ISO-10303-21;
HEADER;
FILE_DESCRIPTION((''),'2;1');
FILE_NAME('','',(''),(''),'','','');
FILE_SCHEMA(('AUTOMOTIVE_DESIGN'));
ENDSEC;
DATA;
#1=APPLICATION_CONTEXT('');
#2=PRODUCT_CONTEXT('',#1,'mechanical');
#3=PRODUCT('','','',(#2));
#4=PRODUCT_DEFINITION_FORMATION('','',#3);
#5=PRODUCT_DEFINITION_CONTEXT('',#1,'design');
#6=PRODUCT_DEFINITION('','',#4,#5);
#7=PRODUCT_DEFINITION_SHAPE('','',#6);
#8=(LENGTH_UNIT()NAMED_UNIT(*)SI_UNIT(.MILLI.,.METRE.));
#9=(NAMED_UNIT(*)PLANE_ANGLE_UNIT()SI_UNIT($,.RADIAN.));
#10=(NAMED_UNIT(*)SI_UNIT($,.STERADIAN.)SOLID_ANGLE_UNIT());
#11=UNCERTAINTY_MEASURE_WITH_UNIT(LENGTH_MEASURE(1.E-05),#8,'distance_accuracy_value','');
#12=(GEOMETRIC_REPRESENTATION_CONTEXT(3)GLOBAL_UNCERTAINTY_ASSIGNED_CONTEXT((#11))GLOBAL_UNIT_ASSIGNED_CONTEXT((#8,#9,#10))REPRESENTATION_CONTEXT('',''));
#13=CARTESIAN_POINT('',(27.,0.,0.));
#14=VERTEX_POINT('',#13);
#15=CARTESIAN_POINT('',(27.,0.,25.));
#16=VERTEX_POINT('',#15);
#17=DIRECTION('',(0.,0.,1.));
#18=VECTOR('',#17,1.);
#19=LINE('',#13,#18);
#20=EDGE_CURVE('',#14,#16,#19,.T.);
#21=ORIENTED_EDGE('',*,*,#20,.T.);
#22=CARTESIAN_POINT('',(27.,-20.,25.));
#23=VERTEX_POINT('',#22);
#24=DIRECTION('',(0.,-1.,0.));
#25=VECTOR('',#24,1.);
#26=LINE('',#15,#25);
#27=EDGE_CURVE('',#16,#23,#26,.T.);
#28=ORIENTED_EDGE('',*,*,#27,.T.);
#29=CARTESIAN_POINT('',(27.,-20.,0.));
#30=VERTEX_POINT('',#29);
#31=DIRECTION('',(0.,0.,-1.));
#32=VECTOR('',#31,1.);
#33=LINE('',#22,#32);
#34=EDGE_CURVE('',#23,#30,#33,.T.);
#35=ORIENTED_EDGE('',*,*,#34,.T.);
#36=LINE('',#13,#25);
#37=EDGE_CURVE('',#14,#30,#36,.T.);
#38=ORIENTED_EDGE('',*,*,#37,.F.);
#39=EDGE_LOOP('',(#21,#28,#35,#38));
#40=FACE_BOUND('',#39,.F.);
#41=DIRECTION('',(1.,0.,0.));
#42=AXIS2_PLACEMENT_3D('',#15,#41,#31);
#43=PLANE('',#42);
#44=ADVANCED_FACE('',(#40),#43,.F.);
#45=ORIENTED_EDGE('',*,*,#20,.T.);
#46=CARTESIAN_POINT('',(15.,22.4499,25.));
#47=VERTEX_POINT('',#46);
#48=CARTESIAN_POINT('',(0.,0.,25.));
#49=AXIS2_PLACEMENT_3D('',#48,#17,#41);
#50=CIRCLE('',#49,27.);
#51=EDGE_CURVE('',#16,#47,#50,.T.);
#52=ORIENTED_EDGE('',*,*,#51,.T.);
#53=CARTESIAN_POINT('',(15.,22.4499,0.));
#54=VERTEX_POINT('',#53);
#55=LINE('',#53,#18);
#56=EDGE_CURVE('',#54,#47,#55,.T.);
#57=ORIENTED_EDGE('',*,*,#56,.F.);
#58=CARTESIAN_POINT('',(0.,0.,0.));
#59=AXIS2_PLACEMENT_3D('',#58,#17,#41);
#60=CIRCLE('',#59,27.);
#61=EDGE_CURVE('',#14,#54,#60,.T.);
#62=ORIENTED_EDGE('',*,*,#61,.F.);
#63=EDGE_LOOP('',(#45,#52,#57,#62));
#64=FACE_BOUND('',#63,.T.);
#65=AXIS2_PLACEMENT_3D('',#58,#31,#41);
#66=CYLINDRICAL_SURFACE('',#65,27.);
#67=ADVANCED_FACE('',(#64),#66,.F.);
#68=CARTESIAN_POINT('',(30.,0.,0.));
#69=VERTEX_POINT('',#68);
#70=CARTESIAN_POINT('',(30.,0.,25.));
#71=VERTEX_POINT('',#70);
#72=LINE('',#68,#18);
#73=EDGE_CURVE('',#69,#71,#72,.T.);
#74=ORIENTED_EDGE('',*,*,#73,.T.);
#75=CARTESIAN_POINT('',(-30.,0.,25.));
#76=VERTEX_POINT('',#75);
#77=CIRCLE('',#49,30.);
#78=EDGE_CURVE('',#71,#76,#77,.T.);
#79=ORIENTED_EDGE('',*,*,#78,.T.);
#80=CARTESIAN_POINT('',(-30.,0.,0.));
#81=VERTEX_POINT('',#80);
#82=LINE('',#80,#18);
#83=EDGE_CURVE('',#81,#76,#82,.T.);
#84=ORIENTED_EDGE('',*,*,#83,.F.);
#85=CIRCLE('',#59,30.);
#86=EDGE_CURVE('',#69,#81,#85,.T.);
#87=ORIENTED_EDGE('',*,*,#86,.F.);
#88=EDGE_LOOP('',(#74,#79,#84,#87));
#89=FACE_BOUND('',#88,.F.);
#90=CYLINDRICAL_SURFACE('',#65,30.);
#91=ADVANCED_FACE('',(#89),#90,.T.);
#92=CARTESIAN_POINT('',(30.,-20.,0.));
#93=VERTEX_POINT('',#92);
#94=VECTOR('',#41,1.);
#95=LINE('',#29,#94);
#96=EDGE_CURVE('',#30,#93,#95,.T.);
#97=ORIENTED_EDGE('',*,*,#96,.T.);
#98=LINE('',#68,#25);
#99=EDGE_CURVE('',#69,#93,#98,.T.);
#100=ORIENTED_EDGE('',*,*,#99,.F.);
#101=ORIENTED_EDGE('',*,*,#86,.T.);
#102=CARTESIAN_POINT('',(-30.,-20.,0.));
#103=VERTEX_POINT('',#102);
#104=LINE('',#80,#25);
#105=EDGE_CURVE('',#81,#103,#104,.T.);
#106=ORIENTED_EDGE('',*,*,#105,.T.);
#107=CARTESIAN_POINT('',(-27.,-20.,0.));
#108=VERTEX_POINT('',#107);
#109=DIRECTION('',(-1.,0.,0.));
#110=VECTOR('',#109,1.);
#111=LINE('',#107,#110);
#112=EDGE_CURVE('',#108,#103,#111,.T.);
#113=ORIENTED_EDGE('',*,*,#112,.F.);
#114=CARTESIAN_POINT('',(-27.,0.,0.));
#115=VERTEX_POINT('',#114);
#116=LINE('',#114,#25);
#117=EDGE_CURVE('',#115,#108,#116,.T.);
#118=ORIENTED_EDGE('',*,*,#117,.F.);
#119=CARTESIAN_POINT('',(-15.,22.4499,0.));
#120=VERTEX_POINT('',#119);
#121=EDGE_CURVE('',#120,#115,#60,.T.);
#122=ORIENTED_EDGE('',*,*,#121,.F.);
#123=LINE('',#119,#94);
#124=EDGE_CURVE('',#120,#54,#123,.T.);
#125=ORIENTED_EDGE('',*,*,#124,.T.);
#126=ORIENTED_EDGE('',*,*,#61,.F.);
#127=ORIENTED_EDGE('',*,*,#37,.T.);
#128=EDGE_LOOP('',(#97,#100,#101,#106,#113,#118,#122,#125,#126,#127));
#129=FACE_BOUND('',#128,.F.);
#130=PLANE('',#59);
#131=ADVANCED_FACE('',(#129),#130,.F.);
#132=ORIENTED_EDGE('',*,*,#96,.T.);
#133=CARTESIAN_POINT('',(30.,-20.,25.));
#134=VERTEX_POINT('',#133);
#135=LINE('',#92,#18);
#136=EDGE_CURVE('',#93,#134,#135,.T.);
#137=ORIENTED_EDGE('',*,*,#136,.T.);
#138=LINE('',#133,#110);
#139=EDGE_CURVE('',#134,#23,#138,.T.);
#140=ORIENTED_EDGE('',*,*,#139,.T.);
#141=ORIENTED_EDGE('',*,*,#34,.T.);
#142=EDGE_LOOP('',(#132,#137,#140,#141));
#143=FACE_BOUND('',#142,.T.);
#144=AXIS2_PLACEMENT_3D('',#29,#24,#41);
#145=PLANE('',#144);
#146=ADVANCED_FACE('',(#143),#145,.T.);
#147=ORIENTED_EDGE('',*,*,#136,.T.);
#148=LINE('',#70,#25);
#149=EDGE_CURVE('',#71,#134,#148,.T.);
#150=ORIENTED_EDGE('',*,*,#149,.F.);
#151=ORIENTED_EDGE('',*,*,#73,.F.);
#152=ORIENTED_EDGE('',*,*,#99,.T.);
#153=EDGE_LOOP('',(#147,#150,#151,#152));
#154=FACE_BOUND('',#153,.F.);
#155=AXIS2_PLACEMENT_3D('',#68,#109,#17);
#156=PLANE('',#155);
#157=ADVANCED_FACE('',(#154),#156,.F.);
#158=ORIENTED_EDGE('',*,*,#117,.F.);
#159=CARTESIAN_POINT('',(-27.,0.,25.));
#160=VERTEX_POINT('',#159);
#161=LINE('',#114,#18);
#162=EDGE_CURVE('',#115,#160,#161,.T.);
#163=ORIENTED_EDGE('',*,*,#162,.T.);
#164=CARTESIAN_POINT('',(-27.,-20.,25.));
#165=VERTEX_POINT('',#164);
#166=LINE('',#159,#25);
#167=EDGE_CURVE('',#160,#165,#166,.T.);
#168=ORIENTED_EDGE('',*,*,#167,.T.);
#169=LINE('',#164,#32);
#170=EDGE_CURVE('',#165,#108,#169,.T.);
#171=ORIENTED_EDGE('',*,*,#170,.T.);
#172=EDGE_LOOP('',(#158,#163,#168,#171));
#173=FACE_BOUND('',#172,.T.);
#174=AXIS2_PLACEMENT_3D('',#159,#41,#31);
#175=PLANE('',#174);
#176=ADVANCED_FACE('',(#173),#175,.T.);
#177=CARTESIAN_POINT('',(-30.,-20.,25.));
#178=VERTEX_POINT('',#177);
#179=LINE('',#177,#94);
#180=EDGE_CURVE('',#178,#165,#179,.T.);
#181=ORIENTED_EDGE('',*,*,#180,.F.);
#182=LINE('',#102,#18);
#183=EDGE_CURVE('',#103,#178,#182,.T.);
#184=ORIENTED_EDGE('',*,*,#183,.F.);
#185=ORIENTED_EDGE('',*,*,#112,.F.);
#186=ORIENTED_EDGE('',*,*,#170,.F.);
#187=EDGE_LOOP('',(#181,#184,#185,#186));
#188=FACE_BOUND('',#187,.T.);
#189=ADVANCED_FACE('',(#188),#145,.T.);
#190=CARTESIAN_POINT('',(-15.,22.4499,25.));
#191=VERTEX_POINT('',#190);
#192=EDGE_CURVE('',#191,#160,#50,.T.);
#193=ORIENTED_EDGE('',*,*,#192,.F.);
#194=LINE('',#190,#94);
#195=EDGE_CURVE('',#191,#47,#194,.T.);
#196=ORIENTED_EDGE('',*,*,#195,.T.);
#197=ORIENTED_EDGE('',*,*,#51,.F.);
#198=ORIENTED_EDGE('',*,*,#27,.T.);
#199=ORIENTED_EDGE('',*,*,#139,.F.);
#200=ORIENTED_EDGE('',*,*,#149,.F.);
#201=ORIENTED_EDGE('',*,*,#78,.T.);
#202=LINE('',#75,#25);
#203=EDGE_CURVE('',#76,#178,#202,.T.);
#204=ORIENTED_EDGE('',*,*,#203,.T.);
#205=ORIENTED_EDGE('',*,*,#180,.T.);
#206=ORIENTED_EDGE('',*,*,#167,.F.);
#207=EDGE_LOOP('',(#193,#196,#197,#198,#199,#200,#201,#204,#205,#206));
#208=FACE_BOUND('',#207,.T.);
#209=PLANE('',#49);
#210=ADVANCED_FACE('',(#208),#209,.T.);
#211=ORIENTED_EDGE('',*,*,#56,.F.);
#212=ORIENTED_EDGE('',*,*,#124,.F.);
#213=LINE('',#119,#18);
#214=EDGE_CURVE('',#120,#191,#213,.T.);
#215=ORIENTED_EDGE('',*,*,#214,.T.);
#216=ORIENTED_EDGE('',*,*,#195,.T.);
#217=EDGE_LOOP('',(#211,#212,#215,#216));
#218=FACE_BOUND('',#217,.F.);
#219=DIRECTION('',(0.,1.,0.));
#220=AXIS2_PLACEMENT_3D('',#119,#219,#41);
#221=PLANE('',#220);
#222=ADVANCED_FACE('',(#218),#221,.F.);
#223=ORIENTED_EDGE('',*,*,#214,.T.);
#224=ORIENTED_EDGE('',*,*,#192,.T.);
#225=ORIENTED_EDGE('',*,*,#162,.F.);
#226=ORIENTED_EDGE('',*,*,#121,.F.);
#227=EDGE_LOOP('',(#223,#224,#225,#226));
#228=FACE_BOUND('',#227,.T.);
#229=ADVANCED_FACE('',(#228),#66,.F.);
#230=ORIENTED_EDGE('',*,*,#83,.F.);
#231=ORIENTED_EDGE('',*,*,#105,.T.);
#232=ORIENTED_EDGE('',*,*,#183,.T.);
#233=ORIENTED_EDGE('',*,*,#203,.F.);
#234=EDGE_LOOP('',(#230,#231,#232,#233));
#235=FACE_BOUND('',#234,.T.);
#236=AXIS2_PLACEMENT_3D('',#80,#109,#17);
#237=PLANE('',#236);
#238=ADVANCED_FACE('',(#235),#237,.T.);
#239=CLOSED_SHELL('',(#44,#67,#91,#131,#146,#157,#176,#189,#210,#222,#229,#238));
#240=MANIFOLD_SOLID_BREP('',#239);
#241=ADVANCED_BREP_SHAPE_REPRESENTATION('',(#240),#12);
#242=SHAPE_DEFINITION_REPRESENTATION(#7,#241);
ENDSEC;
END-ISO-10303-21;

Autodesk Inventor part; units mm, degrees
ref_plane "YZ Plane" through (0, 0, 0) normal (1, 0, 0) x (0, 1, 0)
ref_plane "XZ Plane" through (0, 0, 0) normal (0, 1, 0) x (-1, 0, 0)
ref_plane "XY Plane" through (0, 0, 0) normal (0, 0, 1) x (1, 0, 0)
sketch "Sketch1" plane through (0, 0, 0) normal (0, 0, 1) x (1, 0, 0)
  arc A0 (30, 0) -> (-30, 0) centre (0, 0) ccw
  line L0 (0, 0) -> (-30, 0) construction
  line L1 (0, 0) -> (30, 0) construction
  arc A1 (27, 0) -> (-27, 0) centre (0, 0) ccw
  line L2 (-15, 22.4499) -> (15, 22.4499)
  line L3 (-30, 0) -> (-27, 0)
  line L4 (27, 0) -> (30, 0)
  dimension "d0" = 30
  dimension "d1" = 180
  dimension "d2" = 3
  dimension "d3" = 30
extrude "Extrusion1" add sketch "Sketch1" along normal blind 25
sketch "Sketch5" plane through (27, 0, 0) normal (0, -1, 0) x (1, 0, 0)
  line L0 (-57, 25) -> (-54, 25)
  line L1 (-54, 25) -> (-54, 0)
  line L2 (-54, 0) -> (-57, 0)
  line L3 (-57, 0) -> (-57, 25)
  line L4 (3, 0) -> (3, 25) projected
  line L5 (0, 0) -> (3, 0)
  line L6 (3, 0) -> (3, 25)
  line L7 (3, 25) -> (0, 25)
  line L8 (0, 25) -> (0, 0)
  point P0 (-27, 0)
  dimension "d6" = 3
  dimension "d7" = 25
  dimension "d8" = 3
  dimension "d9" = 25
extrude "Extrusion2" add sketch "Sketch5" along normal blind 20
properties part number "Team29_SensorHolder"
